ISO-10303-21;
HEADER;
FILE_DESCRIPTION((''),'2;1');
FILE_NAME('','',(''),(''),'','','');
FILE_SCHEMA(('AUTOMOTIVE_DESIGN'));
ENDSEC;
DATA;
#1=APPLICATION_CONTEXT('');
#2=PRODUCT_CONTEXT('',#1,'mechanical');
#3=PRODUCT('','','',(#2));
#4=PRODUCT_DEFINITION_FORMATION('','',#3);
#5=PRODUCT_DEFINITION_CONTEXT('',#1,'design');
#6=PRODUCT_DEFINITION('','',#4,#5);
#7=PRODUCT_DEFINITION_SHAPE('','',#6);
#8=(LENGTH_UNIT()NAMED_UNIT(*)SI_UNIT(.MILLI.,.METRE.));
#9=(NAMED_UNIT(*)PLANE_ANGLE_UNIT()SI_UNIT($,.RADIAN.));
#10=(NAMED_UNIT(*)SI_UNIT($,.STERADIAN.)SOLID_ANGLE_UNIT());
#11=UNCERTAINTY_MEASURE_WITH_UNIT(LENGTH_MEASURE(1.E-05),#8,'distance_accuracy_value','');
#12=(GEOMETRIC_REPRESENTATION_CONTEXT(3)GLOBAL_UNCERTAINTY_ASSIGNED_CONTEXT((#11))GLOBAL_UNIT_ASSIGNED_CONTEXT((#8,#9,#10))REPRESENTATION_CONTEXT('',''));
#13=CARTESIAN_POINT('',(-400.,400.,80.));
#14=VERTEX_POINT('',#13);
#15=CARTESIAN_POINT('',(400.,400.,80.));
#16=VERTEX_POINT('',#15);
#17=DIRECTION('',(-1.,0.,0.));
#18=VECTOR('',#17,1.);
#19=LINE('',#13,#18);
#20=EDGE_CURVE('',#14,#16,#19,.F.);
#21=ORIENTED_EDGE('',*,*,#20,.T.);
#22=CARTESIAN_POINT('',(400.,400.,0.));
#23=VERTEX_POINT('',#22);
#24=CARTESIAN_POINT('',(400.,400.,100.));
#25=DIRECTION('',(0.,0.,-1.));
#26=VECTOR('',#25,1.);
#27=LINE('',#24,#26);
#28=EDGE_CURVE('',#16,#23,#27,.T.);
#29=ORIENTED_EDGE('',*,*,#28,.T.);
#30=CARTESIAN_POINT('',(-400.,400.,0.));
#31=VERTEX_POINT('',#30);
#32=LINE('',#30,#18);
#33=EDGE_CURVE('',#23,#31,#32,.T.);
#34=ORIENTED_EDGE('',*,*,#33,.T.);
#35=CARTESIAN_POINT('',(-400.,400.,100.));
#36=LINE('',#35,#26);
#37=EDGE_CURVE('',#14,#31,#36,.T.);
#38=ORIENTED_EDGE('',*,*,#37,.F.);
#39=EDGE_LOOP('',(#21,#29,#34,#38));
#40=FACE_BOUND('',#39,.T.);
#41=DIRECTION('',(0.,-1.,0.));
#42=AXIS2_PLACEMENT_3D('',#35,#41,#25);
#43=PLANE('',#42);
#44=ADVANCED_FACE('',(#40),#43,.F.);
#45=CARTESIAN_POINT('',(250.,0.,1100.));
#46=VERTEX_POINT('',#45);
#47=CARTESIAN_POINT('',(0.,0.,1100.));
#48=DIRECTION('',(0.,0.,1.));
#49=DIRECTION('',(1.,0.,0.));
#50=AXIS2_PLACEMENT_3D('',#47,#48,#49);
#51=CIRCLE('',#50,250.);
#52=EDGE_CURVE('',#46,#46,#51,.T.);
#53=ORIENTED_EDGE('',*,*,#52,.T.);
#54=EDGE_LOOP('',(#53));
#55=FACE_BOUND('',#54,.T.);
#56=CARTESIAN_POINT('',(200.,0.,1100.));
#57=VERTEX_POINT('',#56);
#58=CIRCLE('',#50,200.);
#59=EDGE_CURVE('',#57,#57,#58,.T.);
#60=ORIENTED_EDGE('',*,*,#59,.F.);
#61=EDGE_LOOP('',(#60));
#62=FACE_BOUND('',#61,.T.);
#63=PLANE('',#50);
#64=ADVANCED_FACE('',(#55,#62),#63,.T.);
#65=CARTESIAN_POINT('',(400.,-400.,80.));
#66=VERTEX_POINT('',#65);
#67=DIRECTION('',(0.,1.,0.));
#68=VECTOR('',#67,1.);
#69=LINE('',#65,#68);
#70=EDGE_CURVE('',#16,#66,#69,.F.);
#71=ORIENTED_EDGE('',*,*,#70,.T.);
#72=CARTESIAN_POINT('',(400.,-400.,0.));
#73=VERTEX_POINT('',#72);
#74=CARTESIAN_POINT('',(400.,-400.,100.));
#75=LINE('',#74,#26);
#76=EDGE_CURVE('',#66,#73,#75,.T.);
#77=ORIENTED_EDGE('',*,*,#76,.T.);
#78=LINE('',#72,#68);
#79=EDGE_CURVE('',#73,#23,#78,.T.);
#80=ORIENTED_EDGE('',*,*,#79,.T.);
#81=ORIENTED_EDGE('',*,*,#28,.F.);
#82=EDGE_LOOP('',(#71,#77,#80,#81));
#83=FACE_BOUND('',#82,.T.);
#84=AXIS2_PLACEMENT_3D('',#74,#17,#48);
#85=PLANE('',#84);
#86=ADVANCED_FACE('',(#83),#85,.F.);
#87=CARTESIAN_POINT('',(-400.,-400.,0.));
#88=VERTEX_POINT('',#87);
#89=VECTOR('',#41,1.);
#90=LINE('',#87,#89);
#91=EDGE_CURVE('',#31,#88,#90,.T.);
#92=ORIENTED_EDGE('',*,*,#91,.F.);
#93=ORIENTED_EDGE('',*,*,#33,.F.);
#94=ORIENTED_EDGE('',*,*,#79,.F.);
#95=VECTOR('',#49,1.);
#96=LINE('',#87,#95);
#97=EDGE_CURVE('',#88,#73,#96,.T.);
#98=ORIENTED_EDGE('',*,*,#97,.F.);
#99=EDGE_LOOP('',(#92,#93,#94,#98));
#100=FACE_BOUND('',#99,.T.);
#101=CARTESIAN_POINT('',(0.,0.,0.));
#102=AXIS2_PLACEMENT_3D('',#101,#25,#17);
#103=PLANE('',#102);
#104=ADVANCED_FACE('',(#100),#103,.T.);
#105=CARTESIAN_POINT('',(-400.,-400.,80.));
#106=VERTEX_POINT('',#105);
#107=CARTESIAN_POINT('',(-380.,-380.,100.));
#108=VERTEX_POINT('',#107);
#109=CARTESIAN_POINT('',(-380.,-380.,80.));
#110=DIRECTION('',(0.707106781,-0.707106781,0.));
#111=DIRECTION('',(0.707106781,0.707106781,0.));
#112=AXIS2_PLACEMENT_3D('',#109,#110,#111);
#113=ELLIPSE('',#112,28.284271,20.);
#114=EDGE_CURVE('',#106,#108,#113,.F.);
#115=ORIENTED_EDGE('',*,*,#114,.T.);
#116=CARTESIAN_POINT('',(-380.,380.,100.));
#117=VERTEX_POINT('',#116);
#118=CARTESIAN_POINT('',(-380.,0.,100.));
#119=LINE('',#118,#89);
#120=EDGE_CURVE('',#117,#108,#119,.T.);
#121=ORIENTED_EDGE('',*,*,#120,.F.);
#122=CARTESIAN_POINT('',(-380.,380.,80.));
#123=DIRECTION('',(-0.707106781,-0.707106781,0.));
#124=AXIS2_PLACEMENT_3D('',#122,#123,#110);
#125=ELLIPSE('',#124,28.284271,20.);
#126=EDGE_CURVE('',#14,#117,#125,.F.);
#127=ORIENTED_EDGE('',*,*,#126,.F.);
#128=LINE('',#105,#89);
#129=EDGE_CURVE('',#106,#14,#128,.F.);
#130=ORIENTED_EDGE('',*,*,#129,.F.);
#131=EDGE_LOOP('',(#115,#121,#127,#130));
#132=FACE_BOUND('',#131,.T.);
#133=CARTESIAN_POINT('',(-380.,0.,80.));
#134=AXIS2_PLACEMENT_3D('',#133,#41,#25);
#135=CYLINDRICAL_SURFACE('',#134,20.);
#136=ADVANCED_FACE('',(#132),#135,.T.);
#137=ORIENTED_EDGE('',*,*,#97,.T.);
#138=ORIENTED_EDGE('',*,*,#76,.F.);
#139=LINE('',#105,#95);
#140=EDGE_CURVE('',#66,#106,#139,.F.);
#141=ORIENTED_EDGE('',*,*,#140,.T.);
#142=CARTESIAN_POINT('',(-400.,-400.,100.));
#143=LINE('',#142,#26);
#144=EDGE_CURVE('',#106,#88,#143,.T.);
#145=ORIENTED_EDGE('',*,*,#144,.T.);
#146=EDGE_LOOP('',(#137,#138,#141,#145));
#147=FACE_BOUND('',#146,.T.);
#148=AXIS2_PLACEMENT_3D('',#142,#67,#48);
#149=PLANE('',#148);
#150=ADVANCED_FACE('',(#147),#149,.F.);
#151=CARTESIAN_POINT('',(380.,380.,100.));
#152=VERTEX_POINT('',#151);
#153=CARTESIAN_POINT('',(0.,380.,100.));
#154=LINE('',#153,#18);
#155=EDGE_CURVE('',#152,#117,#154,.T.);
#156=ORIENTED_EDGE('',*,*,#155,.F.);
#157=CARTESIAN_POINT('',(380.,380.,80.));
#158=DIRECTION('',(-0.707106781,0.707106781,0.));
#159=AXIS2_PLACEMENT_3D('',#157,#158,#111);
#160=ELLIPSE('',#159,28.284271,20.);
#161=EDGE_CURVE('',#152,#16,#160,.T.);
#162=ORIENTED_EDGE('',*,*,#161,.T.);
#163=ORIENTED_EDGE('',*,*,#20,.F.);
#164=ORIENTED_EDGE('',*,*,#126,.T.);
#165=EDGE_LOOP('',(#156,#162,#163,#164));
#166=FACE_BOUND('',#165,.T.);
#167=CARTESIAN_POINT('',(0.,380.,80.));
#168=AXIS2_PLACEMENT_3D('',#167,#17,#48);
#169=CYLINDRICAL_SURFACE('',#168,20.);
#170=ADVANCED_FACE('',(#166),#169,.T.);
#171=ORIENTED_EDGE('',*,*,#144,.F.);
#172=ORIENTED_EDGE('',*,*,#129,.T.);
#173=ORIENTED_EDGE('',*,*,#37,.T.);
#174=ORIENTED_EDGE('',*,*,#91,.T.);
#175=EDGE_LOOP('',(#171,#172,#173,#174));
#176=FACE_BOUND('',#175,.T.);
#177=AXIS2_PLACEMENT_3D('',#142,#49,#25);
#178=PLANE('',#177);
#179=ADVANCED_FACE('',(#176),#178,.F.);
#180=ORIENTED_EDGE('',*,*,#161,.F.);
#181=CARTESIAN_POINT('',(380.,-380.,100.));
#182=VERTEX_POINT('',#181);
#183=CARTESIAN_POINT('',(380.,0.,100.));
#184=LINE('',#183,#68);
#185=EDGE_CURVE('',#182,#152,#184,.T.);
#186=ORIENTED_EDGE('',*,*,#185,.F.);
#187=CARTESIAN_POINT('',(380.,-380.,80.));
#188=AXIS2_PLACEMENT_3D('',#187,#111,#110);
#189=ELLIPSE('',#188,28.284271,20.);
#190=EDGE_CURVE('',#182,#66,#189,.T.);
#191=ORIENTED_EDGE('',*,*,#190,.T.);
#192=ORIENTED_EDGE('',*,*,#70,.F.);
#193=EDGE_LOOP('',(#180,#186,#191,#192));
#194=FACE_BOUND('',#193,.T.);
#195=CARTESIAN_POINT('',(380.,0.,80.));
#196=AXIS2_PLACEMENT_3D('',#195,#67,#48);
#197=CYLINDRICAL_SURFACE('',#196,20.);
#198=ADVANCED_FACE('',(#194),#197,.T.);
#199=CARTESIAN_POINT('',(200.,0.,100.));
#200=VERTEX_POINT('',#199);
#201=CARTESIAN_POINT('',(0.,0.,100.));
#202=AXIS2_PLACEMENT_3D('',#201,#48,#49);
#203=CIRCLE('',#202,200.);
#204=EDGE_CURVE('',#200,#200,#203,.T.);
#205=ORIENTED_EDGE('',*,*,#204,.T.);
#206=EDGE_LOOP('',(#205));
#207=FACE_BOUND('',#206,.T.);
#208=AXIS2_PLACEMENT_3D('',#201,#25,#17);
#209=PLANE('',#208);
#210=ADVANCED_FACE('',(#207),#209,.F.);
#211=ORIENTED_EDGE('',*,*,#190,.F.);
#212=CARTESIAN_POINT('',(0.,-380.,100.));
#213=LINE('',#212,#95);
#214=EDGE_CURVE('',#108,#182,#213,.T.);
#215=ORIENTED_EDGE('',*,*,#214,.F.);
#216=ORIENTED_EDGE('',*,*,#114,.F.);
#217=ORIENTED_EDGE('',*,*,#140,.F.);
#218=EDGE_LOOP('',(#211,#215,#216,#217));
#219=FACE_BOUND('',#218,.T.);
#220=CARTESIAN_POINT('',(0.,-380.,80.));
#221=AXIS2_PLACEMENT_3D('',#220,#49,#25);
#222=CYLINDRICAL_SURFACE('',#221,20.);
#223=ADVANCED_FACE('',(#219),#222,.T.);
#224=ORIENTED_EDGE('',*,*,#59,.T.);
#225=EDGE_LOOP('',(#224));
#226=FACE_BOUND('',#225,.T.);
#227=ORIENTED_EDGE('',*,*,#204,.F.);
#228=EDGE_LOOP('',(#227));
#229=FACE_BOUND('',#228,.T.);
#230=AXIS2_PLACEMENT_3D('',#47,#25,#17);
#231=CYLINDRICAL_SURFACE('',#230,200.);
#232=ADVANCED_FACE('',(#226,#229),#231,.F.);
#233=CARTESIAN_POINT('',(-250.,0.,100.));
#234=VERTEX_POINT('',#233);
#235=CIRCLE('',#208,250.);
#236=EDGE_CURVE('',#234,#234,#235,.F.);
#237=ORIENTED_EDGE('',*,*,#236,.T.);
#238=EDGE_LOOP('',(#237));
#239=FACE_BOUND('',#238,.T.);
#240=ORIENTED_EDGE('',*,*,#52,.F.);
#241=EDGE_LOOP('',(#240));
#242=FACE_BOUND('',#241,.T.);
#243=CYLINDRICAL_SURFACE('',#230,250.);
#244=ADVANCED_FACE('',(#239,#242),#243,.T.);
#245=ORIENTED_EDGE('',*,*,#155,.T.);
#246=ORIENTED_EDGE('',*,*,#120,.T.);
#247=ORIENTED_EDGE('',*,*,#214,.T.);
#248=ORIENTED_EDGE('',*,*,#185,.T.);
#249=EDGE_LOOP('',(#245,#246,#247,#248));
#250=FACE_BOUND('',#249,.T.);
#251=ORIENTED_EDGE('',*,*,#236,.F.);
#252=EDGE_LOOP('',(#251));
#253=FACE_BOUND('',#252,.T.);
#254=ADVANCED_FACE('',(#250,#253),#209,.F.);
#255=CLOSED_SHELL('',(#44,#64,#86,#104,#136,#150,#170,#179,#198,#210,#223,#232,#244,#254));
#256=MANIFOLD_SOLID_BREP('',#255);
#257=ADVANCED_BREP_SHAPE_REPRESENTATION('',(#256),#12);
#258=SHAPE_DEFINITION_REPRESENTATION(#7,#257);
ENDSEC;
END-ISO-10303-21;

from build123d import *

# Parameters (mm, degrees)
SKETCH1_W           = 800
SKETCH1_H           = 800
BOSS_EXTRUDE1_DEPTH = 100
SKETCH2_R           = 250
SKETCH2_R_2         = 200
BOSS_EXTRUDE2_DEPTH = 1000
FILLET1_R           = 20


with BuildPart() as part:
    # Sketch1 → Boss-Extrude1 (new body)
    with BuildSketch(Plane.XY):
        Rectangle(SKETCH1_W, SKETCH1_H)
    extrude(amount=BOSS_EXTRUDE1_DEPTH)

    # Sketch2 → Boss-Extrude2 (add)
    with BuildSketch(Plane.XY.offset(100)):
        with Locations(Location((0, 0, 0), (0, 0, 180))):
            Circle(SKETCH2_R)
        Circle(SKETCH2_R_2, mode=Mode.SUBTRACT)
    extrude(amount=BOSS_EXTRUDE2_DEPTH)

    # Fillet1
    fillet1_edges = [part.edges().sort_by_distance(p)[0] for p in [
        (-400, 0, 100),
        (0, -400, 100),
        (400, 0, 100),
        (0, 400, 100),
    ]]
    fillet(fillet1_edges, radius=FILLET1_R)


solid = part.part
